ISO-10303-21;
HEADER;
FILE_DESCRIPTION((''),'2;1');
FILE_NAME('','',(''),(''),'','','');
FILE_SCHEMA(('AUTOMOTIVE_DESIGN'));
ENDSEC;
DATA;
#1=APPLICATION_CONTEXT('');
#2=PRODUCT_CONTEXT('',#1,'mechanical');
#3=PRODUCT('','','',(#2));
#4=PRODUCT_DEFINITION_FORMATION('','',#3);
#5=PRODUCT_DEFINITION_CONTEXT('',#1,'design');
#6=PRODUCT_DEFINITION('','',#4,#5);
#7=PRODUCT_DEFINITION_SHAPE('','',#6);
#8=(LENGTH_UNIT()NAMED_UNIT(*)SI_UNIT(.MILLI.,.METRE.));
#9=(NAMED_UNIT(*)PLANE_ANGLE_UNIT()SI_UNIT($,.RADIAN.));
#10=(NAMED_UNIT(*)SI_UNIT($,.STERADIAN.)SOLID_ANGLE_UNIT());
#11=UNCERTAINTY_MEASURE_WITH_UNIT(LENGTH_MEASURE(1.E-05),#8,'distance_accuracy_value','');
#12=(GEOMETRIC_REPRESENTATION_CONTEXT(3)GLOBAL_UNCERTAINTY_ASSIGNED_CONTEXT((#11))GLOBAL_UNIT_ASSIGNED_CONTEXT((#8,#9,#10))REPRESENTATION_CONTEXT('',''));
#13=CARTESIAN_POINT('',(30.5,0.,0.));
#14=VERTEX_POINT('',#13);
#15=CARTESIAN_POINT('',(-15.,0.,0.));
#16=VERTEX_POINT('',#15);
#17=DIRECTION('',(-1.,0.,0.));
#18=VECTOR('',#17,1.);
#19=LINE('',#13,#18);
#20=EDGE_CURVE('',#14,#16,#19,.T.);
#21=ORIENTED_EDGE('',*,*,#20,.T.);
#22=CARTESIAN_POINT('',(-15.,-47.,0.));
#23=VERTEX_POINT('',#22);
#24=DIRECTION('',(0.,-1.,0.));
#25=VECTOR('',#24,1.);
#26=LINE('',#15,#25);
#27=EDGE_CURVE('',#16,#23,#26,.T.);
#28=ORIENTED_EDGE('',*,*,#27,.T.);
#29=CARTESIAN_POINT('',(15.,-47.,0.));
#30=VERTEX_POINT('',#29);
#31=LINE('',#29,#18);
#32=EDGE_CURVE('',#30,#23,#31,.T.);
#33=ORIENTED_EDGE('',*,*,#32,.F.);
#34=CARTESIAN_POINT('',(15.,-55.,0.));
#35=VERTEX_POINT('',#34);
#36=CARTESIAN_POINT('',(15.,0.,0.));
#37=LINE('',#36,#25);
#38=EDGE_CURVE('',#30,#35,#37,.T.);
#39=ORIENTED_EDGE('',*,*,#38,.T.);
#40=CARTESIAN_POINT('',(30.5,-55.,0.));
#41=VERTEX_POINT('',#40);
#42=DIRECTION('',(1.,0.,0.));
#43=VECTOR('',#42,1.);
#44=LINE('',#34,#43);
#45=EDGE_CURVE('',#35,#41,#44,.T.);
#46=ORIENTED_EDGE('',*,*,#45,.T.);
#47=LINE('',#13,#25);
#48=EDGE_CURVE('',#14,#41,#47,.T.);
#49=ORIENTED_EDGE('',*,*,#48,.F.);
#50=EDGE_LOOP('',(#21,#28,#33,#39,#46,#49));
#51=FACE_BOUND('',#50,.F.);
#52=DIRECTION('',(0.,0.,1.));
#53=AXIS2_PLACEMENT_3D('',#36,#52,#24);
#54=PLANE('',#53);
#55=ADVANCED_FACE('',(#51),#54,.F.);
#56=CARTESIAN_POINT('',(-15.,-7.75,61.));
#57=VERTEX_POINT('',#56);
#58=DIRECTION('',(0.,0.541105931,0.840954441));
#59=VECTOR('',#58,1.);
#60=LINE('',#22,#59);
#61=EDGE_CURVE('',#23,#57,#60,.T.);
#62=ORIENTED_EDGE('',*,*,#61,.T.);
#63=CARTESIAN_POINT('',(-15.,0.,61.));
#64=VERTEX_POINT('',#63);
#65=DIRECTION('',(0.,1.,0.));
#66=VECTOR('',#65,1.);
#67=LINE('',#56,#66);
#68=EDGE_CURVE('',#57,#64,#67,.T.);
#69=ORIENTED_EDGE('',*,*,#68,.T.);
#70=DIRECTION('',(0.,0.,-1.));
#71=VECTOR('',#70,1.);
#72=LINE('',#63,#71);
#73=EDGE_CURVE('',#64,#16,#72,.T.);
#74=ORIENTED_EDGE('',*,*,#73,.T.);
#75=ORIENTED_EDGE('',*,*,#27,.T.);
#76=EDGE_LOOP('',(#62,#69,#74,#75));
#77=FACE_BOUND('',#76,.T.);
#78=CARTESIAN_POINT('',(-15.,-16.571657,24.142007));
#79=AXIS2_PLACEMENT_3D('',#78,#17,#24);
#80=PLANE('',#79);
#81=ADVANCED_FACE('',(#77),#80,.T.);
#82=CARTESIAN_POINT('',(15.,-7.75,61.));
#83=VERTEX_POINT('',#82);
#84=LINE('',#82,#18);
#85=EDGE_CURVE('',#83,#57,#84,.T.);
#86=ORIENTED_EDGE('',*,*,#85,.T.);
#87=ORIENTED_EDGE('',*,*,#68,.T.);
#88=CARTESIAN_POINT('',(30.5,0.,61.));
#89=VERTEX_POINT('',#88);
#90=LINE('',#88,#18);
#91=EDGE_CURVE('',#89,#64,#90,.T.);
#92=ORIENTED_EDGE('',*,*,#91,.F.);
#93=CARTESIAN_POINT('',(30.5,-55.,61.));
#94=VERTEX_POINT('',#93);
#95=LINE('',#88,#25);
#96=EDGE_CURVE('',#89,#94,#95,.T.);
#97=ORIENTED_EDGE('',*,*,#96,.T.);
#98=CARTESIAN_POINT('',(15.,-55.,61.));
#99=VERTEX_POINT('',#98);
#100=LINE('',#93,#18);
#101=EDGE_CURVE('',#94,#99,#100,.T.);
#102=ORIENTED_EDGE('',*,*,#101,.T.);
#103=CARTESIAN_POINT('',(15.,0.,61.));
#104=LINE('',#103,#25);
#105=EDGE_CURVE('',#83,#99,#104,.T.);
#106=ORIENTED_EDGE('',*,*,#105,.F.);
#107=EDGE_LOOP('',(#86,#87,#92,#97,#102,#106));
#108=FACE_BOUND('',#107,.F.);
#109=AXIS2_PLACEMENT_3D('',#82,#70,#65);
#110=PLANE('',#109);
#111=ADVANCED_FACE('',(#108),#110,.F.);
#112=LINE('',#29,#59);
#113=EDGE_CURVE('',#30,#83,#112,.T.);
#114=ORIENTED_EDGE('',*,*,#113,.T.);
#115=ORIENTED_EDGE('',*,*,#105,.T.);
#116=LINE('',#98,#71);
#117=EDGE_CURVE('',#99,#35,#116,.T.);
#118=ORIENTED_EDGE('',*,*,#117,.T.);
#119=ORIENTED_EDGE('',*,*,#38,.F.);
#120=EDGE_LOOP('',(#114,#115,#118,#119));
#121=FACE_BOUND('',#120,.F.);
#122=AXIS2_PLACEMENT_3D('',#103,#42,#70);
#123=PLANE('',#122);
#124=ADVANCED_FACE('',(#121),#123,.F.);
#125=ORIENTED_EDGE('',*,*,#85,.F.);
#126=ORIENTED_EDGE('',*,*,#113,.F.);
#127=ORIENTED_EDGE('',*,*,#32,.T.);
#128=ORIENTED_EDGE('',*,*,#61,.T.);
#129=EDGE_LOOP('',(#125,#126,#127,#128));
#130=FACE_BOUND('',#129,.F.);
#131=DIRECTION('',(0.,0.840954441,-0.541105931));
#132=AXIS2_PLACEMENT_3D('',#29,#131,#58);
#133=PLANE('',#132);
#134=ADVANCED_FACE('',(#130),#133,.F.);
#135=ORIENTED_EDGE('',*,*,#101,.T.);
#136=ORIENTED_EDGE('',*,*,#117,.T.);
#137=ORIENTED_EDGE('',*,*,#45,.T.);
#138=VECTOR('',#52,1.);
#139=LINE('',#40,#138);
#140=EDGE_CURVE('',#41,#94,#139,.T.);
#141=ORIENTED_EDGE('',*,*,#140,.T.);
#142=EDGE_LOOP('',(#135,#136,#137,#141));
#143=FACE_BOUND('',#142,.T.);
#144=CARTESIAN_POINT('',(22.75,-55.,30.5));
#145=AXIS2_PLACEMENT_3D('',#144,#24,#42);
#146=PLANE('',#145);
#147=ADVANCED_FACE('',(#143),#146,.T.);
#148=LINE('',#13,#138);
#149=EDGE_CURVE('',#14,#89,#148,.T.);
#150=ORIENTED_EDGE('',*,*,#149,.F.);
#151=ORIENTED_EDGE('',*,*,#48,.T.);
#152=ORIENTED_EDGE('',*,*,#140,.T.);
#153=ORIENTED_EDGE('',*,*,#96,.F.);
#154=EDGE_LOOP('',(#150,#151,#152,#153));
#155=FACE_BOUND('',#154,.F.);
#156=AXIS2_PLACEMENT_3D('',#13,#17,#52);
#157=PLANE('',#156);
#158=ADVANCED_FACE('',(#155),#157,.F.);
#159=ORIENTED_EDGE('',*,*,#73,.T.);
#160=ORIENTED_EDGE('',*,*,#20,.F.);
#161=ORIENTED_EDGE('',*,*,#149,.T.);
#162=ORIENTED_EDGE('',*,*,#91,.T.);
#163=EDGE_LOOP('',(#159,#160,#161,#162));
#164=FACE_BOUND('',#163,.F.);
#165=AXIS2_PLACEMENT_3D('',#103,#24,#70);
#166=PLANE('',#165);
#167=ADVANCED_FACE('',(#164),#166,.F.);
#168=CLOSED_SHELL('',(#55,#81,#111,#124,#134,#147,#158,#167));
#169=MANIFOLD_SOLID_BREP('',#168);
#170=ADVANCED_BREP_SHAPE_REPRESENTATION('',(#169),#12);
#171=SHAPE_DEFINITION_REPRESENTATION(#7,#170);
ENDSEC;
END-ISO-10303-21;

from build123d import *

# Parameters (mm, degrees)
F1_DEPTH = 55
F3_DEPTH = 30


with BuildPart() as f1:
    # F0 (on Front) → F1 (new body)
    with BuildSketch(Plane.XZ):
        Polygon((15, 61), (15, 0), (30.5, 0), (30.5, 15), (30.5, 61), align=None)
    extrude(amount=F1_DEPTH)

    # F2 (on face) → F3 (join)
    with BuildSketch(Plane(origin=(15, 0, 0), x_dir=(0, -1, 0), z_dir=(-1, 0, 0))):
        Polygon((7.75, 61), (0, 61), (0, 0), (47, 0), align=None)
    extrude(amount=F3_DEPTH)


solid = f1.part
